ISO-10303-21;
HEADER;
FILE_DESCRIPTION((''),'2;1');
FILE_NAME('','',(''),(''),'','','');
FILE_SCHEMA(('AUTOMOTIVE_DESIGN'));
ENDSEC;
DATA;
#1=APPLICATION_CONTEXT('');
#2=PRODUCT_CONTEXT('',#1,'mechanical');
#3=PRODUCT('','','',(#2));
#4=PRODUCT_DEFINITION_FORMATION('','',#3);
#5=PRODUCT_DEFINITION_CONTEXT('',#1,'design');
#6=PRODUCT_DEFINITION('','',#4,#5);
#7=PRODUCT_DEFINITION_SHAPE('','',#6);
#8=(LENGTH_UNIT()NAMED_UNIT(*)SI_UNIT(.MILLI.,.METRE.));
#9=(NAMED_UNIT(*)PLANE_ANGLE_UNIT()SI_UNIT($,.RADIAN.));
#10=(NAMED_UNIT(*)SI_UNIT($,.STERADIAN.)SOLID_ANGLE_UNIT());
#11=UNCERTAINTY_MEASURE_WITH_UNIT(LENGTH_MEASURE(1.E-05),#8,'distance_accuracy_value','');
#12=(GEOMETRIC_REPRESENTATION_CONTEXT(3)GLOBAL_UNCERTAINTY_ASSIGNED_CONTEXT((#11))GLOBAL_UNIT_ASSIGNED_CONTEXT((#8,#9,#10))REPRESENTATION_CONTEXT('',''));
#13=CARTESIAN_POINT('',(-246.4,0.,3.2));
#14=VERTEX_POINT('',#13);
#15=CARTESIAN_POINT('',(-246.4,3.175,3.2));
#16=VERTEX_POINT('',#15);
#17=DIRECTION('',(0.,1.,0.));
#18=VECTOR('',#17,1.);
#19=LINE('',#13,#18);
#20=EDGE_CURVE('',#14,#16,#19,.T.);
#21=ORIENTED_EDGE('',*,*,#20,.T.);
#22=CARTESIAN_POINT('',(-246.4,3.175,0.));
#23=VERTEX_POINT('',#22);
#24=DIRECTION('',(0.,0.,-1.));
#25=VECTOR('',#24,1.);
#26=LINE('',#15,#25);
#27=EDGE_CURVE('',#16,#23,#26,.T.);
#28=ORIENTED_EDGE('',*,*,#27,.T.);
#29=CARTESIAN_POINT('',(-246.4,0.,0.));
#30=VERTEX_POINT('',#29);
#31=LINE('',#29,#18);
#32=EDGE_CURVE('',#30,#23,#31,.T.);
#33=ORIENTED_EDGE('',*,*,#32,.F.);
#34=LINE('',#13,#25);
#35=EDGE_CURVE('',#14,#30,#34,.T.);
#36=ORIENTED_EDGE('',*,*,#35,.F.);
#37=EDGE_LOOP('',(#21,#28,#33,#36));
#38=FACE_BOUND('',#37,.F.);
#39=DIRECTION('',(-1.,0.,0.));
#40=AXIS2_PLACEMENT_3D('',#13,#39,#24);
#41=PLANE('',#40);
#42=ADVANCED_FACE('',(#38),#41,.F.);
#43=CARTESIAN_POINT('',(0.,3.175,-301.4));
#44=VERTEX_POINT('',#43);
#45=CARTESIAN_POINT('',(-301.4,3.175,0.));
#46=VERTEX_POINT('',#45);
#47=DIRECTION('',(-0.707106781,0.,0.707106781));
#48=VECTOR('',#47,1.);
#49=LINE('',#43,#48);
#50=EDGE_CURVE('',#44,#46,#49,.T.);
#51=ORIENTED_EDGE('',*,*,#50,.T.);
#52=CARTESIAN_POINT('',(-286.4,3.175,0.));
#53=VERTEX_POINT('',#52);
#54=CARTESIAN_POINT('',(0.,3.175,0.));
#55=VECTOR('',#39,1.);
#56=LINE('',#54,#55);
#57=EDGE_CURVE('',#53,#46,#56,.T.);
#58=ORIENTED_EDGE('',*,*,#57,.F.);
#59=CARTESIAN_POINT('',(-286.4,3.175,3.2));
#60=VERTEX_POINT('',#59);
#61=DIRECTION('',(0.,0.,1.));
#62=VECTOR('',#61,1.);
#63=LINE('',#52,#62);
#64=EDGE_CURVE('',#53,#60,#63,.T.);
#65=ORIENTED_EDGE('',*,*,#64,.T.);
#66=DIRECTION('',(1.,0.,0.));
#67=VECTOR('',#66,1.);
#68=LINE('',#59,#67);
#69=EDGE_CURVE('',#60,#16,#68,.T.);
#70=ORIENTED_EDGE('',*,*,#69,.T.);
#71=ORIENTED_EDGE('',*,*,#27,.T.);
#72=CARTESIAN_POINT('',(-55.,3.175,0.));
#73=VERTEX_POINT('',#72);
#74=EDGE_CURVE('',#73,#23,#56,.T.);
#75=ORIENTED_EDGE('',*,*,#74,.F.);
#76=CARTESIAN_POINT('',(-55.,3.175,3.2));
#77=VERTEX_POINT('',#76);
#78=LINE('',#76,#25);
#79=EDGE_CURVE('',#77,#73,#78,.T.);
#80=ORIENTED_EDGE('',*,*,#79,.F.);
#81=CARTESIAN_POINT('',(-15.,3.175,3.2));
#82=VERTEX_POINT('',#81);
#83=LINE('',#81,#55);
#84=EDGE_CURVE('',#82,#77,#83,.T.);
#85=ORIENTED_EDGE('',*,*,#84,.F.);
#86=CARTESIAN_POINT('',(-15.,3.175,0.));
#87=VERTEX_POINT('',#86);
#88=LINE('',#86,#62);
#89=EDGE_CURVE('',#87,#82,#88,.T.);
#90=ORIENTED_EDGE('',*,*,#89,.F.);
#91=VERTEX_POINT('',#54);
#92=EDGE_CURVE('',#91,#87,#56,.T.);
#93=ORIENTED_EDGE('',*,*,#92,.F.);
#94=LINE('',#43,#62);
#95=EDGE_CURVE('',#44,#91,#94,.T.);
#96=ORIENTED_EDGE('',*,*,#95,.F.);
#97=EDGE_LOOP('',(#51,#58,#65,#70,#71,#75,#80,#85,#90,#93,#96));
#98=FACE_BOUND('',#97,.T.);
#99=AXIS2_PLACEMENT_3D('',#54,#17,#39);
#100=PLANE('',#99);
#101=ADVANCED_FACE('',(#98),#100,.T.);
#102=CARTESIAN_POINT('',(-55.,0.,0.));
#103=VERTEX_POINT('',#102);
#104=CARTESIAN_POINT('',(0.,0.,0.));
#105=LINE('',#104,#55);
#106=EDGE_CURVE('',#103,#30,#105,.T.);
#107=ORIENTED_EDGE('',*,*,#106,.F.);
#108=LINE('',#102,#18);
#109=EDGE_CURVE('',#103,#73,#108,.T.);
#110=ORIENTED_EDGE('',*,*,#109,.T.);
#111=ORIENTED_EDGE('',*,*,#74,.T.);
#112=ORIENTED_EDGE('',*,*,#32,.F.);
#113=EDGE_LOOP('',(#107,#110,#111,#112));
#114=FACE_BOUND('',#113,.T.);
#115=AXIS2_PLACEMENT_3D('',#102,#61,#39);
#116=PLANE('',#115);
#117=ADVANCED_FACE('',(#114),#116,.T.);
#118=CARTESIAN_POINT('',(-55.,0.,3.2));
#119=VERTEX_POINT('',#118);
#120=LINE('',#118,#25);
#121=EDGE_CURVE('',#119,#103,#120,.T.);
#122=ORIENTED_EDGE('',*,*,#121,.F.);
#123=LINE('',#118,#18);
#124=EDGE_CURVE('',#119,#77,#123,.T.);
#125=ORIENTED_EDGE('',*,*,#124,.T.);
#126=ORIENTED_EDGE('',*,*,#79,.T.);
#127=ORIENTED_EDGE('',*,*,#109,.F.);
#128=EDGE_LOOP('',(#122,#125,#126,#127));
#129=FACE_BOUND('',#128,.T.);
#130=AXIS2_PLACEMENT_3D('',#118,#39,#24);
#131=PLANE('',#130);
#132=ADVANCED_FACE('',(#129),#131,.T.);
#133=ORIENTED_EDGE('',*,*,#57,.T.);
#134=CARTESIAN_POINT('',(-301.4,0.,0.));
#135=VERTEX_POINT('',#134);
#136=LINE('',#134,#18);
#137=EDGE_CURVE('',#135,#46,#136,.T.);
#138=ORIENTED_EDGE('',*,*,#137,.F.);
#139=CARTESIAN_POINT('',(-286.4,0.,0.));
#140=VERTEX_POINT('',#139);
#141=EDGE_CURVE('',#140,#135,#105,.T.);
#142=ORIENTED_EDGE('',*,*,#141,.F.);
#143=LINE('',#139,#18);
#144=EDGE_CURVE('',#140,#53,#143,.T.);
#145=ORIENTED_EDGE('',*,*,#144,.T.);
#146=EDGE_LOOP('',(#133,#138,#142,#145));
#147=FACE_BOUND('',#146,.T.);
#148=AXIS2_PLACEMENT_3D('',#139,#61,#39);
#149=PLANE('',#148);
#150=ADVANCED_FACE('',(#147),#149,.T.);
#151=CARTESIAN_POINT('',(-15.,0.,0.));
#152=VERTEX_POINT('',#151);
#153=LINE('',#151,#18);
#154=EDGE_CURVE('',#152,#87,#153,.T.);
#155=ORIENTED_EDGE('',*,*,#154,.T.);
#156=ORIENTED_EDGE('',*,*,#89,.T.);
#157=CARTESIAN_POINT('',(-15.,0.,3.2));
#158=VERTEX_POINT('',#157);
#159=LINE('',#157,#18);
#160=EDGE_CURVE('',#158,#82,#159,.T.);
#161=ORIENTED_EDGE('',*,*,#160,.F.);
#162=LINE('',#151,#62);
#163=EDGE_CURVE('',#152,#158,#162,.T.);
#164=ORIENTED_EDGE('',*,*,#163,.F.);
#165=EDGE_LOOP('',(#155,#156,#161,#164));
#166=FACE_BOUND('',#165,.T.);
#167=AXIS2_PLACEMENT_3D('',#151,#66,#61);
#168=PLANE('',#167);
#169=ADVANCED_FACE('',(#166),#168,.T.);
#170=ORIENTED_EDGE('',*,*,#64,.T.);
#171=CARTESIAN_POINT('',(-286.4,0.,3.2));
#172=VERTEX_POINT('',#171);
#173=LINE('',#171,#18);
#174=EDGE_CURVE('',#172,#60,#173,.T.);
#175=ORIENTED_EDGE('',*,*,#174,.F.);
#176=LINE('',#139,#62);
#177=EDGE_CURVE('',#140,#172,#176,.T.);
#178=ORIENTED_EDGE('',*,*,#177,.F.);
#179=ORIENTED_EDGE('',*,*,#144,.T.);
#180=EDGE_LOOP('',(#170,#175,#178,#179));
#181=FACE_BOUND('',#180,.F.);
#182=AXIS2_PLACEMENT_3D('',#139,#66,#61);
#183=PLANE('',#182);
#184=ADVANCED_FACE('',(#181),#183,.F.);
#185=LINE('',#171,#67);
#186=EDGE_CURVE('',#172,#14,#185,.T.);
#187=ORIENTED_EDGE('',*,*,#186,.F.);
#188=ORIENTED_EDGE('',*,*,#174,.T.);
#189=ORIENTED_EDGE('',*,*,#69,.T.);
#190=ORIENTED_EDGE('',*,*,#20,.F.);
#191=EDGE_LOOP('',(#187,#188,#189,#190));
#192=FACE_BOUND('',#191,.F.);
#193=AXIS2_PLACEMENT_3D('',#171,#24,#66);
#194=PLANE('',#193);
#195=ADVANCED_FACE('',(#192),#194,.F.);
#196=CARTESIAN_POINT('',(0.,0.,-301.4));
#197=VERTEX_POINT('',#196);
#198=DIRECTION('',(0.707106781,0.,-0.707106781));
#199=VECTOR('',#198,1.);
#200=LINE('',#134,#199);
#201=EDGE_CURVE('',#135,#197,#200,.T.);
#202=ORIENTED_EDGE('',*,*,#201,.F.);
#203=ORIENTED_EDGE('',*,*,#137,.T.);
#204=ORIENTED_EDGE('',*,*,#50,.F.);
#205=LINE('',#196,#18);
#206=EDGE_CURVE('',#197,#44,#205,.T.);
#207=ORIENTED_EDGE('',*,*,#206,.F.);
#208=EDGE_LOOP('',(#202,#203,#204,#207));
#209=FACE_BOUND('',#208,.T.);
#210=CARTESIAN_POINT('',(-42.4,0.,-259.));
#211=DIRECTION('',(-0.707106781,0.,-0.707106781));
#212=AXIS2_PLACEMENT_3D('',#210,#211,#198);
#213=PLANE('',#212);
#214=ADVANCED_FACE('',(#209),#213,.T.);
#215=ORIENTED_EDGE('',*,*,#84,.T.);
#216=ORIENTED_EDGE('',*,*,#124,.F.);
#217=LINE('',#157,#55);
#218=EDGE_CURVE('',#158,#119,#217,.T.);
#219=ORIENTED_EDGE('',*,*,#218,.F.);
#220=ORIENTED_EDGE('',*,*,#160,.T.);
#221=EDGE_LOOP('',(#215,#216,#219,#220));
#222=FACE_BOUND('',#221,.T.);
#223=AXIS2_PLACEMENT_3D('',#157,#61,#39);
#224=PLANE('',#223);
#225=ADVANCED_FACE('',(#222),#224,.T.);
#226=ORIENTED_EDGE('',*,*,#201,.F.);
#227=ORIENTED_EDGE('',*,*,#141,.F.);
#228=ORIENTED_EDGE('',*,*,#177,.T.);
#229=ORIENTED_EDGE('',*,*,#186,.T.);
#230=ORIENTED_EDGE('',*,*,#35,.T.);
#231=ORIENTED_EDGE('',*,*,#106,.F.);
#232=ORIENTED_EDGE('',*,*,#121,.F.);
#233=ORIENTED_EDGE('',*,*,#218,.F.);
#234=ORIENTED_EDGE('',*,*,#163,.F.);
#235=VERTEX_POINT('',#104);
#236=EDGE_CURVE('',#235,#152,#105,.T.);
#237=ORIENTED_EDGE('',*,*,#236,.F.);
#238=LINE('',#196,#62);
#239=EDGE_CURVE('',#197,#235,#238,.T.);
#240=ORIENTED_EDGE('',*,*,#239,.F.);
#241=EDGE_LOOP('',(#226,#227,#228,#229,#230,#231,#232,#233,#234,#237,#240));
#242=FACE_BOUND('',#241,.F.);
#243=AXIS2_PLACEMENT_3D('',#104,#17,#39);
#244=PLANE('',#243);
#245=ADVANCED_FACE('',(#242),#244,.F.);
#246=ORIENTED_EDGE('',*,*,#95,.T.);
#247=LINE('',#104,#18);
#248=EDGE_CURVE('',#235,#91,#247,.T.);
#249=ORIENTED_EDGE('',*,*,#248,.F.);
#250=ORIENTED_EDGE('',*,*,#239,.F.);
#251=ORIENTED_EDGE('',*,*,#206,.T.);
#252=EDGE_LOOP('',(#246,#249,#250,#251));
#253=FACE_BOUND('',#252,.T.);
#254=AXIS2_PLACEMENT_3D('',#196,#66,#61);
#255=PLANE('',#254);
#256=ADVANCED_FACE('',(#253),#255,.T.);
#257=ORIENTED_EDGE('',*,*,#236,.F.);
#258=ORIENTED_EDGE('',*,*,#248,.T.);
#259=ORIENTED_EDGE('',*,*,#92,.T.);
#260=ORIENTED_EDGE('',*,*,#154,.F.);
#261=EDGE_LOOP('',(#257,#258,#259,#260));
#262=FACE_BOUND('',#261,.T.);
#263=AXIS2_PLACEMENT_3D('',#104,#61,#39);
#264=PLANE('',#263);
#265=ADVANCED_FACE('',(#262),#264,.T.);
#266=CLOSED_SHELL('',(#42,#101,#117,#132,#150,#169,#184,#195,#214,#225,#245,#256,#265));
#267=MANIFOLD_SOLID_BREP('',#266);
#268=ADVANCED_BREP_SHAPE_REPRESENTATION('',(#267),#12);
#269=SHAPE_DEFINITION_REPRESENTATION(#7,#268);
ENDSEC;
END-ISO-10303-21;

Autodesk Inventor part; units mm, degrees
ref_plane "YZ Plane" through (0, 0, 0) normal (1, 0, 0) x (0, 1, 0)
ref_plane "XZ Plane" through (0, 0, 0) normal (0, 1, 0) x (-1, 0, 0)
ref_plane "XY Plane" through (0, 0, 0) normal (0, 0, 1) x (1, 0, 0)
sketch "Sketch1" plane through (0, 0, 0) normal (0, 1, 0) x (-1, 0, 0)
  line L0 (0, 0) -> (301.4, 0)
  line L1 (301.4, 0) -> (42.4, -259)
  line L2 (42.4, -259) -> (0, -301.4)
  line L3 (0, -301.4) -> (0, 0)
  line L4 (301.4, 0) -> (286.4, 0)
  line L5 (286.4, 0) -> (286.4, 3.2)
  line L6 (286.4, 3.2) -> (246.4, 3.2)
  line L7 (246.4, 3.2) -> (246.4, 0)
  line L8 (0, 0) -> (15, 0)
  line L9 (15, 0) -> (15, 3.2)
  line L10 (15, 3.2) -> (55, 3.2)
  line L11 (55, 3.2) -> (55, 0)
  line L12 (55, 0) -> (15, 0)
  dimension "d0" = 301.4
  dimension "d1" = 45
  dimension "d2" = 15
  dimension "d3" = 3.2
  dimension "d4" = 40
  dimension "d5" = 15
  dimension "d6" = 40
extrude "Extrusion1" add sketch "Sketch1" along normal blind 3.175
properties part number "Trebuchet V1 - Truss Support"
